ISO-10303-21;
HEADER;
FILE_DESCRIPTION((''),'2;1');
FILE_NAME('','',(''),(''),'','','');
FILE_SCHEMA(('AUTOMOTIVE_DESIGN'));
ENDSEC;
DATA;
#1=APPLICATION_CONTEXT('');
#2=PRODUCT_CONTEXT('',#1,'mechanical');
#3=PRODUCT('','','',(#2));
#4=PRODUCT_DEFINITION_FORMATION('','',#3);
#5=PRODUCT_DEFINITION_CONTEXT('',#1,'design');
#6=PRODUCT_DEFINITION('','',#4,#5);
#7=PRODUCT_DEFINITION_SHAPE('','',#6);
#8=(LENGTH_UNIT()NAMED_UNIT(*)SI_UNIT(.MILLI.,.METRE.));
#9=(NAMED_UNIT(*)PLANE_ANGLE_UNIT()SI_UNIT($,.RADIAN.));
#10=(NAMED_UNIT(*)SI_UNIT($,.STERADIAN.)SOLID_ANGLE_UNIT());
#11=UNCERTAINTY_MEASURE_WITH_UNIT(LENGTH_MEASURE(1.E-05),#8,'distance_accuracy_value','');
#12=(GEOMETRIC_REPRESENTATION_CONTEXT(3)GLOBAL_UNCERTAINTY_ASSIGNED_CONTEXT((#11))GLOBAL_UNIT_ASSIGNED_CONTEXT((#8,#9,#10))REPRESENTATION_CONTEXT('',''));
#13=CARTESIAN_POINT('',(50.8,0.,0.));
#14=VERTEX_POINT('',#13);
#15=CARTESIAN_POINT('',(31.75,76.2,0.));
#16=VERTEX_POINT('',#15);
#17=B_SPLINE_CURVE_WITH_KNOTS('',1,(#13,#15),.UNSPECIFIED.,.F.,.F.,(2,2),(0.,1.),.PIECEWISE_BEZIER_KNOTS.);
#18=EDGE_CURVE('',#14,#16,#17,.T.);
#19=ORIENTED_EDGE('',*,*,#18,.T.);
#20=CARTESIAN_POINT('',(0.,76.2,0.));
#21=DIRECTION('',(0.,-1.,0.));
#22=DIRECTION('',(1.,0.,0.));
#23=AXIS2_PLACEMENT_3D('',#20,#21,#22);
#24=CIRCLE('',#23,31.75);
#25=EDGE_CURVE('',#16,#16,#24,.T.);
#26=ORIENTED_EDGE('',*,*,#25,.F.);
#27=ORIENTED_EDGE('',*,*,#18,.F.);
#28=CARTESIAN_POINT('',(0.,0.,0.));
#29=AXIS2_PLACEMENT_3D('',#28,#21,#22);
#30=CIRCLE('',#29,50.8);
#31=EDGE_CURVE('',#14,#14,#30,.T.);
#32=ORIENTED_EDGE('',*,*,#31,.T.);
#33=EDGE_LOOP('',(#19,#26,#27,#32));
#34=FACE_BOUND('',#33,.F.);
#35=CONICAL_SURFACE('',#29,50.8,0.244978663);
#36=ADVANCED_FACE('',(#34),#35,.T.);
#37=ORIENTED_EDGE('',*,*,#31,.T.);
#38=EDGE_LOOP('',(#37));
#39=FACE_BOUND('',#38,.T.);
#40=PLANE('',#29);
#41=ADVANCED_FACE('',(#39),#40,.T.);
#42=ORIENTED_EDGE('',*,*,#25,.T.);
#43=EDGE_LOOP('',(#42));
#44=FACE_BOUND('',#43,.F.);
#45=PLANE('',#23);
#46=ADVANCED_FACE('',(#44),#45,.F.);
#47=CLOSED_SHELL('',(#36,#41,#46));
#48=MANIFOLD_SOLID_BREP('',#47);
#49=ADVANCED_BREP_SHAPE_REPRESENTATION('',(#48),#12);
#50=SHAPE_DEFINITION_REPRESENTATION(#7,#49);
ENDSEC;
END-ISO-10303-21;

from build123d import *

# Parameters (mm, degrees)
F0_R = 50.8
F2_R = 31.75


with BuildPart() as f3:
    # F0 (on Front) → F3 section 0
    with BuildSketch(Plane.XZ):
        Circle(F0_R)
    # F2 (on offset) → F3 section 1
    with BuildSketch(Plane.XZ.offset(-76.2)):
        Circle(F2_R)
    loft()


solid = f3.part
